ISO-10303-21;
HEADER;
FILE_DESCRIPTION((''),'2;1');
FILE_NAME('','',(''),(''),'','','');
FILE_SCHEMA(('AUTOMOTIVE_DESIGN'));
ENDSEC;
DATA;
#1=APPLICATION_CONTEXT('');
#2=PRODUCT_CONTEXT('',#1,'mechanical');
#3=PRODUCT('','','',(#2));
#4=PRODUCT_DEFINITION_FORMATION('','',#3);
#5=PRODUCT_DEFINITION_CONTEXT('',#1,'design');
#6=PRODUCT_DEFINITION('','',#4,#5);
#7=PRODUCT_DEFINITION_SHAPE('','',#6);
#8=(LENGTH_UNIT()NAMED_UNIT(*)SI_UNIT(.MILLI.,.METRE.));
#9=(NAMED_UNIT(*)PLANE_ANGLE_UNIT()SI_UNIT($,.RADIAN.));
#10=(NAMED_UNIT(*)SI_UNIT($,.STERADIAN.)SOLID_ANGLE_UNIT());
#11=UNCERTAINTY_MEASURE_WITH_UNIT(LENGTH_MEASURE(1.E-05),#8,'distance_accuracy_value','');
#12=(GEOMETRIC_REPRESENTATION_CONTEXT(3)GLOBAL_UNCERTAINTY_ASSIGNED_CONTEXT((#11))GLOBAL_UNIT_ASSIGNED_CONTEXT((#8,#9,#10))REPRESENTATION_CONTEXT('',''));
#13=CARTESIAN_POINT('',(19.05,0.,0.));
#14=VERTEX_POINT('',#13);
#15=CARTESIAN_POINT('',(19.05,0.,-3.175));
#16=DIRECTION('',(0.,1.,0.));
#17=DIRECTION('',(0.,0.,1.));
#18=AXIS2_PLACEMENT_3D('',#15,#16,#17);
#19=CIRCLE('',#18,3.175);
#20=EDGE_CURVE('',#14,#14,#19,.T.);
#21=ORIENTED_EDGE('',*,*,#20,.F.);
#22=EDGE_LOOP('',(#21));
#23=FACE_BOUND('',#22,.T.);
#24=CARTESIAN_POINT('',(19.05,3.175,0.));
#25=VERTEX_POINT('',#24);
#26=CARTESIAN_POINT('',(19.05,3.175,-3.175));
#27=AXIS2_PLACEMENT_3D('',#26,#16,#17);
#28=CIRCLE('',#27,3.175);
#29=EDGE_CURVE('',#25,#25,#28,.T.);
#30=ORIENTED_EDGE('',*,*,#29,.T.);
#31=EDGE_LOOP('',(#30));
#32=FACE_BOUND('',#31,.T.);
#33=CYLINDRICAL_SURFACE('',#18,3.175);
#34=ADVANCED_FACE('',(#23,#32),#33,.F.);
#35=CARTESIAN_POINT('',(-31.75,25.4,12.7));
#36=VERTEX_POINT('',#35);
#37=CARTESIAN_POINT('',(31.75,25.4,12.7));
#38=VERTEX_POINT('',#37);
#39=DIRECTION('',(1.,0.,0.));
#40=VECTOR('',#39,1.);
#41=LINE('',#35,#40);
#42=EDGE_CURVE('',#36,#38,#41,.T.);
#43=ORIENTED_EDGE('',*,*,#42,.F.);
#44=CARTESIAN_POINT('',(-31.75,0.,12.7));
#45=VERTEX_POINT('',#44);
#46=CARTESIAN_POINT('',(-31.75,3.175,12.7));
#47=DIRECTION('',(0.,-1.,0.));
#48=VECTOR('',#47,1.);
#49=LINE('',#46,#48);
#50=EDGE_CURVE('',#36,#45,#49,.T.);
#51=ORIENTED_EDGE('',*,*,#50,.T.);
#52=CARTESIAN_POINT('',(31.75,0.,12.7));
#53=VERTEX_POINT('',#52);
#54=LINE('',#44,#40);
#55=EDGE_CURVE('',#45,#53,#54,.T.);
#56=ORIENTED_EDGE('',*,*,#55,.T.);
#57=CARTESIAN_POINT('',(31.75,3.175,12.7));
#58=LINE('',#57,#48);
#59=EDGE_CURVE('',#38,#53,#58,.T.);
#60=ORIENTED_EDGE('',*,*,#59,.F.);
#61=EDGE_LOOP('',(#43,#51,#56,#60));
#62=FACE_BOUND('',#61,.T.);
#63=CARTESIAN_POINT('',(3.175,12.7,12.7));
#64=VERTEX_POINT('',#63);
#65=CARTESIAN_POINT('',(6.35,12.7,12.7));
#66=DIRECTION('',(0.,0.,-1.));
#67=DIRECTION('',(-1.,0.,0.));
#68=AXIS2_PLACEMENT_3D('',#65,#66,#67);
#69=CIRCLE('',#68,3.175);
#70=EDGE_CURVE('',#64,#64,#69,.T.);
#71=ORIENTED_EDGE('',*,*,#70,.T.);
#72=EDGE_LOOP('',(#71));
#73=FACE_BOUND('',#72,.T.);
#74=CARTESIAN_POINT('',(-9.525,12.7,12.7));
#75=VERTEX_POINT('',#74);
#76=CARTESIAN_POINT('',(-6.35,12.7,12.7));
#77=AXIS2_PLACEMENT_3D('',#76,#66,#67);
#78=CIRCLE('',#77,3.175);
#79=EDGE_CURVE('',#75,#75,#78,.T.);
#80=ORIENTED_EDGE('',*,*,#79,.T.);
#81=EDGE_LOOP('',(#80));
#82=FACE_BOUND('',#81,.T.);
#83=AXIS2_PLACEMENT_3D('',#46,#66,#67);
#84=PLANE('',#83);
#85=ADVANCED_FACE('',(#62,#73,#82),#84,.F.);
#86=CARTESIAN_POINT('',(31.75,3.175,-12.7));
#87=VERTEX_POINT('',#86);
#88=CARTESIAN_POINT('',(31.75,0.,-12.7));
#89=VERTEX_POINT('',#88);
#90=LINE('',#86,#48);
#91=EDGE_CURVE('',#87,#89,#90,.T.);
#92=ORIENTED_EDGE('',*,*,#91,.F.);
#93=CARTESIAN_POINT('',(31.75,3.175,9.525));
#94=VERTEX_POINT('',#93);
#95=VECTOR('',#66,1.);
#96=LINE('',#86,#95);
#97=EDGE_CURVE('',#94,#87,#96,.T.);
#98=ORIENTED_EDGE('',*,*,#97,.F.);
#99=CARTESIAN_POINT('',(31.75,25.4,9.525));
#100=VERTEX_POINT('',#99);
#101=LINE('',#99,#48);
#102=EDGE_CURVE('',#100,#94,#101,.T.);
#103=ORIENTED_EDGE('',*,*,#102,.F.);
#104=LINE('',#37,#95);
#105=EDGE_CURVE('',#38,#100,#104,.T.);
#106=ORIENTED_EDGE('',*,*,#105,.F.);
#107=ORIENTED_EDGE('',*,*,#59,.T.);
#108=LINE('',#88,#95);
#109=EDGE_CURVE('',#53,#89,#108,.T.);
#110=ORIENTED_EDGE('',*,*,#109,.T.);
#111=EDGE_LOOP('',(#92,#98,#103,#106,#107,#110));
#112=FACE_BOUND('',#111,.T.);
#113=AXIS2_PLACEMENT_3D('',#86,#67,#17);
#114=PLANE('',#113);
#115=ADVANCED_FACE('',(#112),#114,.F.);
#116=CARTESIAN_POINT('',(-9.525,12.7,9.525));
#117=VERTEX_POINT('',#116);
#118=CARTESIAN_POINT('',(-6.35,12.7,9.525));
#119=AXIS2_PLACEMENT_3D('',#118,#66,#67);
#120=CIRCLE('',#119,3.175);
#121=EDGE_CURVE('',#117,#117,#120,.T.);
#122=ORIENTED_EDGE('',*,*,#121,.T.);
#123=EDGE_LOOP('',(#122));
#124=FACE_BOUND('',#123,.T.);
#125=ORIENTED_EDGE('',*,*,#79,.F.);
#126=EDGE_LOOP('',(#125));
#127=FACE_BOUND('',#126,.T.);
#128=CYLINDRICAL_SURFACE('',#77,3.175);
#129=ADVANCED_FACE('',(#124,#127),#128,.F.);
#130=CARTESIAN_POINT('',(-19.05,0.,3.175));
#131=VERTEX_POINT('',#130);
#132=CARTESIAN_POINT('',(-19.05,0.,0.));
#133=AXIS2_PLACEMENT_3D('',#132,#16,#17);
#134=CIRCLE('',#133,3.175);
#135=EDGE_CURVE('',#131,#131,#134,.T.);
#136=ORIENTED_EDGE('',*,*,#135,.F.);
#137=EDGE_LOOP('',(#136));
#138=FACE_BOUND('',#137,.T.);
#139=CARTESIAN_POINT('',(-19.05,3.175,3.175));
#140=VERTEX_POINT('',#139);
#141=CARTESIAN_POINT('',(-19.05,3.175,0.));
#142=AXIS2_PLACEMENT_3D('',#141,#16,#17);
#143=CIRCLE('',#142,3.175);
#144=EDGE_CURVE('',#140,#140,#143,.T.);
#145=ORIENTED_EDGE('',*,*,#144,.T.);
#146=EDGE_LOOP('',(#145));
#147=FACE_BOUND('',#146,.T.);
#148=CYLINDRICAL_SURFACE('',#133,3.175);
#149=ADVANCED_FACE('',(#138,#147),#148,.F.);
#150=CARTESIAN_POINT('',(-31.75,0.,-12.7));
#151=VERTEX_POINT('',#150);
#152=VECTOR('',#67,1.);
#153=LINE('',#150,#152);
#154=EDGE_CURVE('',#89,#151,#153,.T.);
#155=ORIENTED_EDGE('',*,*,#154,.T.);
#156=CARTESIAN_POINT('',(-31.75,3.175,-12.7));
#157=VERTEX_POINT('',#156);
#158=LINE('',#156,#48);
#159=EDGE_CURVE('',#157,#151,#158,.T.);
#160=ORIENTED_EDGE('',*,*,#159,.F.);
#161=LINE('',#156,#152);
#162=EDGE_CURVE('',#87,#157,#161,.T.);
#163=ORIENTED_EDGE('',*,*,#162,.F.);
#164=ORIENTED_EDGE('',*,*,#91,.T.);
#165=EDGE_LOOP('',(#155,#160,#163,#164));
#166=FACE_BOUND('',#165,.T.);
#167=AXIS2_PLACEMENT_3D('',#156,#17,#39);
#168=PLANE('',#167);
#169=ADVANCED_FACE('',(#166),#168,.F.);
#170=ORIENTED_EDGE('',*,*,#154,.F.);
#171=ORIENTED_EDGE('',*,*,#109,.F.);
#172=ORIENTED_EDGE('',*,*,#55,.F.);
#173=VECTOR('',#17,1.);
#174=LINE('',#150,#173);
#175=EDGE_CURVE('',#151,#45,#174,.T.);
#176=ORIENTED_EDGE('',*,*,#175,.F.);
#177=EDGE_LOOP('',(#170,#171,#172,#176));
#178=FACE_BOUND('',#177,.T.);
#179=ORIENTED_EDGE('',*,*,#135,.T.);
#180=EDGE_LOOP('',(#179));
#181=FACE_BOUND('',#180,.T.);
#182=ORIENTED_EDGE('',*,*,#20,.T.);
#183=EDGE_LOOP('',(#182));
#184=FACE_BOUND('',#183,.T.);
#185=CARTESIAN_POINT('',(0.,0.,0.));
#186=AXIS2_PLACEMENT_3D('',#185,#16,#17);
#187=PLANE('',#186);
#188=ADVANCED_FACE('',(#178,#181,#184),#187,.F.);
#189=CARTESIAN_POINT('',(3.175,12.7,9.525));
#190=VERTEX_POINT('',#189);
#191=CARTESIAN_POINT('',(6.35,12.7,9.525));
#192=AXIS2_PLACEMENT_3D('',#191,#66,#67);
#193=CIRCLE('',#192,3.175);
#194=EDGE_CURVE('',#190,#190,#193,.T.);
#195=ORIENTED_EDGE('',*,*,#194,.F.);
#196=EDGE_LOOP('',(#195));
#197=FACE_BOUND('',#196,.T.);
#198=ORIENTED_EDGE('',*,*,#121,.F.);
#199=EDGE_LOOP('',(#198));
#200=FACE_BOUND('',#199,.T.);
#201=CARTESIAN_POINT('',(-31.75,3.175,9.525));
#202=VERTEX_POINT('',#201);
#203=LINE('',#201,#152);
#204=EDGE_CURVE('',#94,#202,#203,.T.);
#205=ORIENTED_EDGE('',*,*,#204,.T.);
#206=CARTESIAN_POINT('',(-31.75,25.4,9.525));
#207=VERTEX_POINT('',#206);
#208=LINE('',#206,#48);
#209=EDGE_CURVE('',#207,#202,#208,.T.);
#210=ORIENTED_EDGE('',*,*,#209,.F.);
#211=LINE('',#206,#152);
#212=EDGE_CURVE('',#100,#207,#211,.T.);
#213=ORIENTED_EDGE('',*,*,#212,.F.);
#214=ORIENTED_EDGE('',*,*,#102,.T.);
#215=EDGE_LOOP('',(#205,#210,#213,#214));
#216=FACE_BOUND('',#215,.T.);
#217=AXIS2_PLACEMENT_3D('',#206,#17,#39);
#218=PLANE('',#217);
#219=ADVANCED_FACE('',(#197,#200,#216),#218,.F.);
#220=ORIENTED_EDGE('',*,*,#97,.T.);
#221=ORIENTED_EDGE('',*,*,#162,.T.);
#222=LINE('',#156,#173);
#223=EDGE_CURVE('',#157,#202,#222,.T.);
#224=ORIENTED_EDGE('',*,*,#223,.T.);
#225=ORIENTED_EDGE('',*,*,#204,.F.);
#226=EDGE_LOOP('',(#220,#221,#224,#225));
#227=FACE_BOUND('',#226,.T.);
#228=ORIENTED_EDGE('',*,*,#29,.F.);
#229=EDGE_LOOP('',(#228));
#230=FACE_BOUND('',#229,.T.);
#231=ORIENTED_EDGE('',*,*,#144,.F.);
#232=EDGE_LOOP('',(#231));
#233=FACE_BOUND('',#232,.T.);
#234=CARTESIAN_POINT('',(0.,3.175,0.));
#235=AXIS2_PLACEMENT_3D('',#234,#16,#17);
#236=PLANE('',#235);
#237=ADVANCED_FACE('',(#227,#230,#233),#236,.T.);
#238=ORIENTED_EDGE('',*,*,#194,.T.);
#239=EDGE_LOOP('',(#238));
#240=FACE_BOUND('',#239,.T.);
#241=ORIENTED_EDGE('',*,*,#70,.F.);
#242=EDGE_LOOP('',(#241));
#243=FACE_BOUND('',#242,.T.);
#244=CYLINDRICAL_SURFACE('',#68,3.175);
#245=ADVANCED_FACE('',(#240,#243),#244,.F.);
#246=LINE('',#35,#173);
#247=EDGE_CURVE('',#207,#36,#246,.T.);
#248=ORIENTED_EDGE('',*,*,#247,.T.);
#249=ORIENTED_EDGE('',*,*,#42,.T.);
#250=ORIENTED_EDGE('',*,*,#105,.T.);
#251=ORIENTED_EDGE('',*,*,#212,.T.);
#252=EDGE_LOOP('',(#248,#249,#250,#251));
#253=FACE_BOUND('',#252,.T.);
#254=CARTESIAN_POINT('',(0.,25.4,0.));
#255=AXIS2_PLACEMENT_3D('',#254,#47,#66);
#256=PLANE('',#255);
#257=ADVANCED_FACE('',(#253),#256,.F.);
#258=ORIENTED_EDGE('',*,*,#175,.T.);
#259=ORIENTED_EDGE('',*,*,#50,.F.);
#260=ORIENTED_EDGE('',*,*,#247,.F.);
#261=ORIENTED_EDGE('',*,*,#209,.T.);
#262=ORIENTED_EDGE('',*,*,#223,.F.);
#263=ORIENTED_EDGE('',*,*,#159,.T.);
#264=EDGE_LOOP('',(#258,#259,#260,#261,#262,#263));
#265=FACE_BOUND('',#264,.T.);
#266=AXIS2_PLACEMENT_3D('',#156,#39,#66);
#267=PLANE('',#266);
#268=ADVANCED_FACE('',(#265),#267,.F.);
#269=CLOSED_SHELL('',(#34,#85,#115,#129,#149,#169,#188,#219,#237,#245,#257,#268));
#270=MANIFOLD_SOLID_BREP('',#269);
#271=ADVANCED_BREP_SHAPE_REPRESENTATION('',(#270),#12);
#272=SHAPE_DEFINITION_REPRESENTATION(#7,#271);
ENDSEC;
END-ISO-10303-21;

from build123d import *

# Parameters (mm, degrees)
SKETCH1_W           = 63.5
SKETCH1_H           = 25.4
BOSS_EXTRUDE1_DEPTH = 3.175
SKETCH2_W           = 63.5
SKETCH2_H           = 3.175
BOSS_EXTRUDE2_DEPTH = 22.225
SKETCH3_R           = 3.175
CUT_EXTRUDE1_DEPTH  = 3.175
SKETCH4_R           = 3.175
CUT_EXTRUDE2_DEPTH  = 3.175


with BuildPart() as part:
    # Sketch1 → Boss-Extrude1 (new body)
    with BuildSketch(Plane(origin=(0, 0, 0), x_dir=(1, 0, 0), z_dir=(0, 1, 0))):
        Rectangle(SKETCH1_W, SKETCH1_H)
    extrude(amount=BOSS_EXTRUDE1_DEPTH)

    # Sketch2 → Boss-Extrude2 (add)
    with BuildSketch(Plane(origin=(0, 3.175, 0), x_dir=(1, 0, 0), z_dir=(0, 1, 0))):
        with Locations((0, -11.1125)):
            Rectangle(SKETCH2_W, SKETCH2_H)
    extrude(amount=BOSS_EXTRUDE2_DEPTH)

    # Sketch3 → Cut-Extrude1 (cut)
    with BuildSketch(Plane(origin=(0, 0, 9.525), x_dir=(-1, 0, 0), z_dir=(0, 0, -1))):
        with Locations((6.35, 12.7)):
            Circle(SKETCH3_R)
        with Locations((-6.35, 12.7)):
            Circle(SKETCH3_R)
    extrude(amount=-CUT_EXTRUDE1_DEPTH, mode=Mode.SUBTRACT)

    # Sketch4 → Cut-Extrude2 (cut)
    with BuildSketch(Plane(origin=(0, 3.175, 0), x_dir=(1, 0, 0), z_dir=(0, 1, 0))):
        with Locations(Location((-19.05, 0, 0), (0, 0, 270))):
            Circle(SKETCH4_R)
        with Locations(Location((19.05, 3.175, 0), (0, 0, 270))):
            Circle(SKETCH4_R)
    extrude(amount=-CUT_EXTRUDE2_DEPTH, mode=Mode.SUBTRACT)


solid = part.part
